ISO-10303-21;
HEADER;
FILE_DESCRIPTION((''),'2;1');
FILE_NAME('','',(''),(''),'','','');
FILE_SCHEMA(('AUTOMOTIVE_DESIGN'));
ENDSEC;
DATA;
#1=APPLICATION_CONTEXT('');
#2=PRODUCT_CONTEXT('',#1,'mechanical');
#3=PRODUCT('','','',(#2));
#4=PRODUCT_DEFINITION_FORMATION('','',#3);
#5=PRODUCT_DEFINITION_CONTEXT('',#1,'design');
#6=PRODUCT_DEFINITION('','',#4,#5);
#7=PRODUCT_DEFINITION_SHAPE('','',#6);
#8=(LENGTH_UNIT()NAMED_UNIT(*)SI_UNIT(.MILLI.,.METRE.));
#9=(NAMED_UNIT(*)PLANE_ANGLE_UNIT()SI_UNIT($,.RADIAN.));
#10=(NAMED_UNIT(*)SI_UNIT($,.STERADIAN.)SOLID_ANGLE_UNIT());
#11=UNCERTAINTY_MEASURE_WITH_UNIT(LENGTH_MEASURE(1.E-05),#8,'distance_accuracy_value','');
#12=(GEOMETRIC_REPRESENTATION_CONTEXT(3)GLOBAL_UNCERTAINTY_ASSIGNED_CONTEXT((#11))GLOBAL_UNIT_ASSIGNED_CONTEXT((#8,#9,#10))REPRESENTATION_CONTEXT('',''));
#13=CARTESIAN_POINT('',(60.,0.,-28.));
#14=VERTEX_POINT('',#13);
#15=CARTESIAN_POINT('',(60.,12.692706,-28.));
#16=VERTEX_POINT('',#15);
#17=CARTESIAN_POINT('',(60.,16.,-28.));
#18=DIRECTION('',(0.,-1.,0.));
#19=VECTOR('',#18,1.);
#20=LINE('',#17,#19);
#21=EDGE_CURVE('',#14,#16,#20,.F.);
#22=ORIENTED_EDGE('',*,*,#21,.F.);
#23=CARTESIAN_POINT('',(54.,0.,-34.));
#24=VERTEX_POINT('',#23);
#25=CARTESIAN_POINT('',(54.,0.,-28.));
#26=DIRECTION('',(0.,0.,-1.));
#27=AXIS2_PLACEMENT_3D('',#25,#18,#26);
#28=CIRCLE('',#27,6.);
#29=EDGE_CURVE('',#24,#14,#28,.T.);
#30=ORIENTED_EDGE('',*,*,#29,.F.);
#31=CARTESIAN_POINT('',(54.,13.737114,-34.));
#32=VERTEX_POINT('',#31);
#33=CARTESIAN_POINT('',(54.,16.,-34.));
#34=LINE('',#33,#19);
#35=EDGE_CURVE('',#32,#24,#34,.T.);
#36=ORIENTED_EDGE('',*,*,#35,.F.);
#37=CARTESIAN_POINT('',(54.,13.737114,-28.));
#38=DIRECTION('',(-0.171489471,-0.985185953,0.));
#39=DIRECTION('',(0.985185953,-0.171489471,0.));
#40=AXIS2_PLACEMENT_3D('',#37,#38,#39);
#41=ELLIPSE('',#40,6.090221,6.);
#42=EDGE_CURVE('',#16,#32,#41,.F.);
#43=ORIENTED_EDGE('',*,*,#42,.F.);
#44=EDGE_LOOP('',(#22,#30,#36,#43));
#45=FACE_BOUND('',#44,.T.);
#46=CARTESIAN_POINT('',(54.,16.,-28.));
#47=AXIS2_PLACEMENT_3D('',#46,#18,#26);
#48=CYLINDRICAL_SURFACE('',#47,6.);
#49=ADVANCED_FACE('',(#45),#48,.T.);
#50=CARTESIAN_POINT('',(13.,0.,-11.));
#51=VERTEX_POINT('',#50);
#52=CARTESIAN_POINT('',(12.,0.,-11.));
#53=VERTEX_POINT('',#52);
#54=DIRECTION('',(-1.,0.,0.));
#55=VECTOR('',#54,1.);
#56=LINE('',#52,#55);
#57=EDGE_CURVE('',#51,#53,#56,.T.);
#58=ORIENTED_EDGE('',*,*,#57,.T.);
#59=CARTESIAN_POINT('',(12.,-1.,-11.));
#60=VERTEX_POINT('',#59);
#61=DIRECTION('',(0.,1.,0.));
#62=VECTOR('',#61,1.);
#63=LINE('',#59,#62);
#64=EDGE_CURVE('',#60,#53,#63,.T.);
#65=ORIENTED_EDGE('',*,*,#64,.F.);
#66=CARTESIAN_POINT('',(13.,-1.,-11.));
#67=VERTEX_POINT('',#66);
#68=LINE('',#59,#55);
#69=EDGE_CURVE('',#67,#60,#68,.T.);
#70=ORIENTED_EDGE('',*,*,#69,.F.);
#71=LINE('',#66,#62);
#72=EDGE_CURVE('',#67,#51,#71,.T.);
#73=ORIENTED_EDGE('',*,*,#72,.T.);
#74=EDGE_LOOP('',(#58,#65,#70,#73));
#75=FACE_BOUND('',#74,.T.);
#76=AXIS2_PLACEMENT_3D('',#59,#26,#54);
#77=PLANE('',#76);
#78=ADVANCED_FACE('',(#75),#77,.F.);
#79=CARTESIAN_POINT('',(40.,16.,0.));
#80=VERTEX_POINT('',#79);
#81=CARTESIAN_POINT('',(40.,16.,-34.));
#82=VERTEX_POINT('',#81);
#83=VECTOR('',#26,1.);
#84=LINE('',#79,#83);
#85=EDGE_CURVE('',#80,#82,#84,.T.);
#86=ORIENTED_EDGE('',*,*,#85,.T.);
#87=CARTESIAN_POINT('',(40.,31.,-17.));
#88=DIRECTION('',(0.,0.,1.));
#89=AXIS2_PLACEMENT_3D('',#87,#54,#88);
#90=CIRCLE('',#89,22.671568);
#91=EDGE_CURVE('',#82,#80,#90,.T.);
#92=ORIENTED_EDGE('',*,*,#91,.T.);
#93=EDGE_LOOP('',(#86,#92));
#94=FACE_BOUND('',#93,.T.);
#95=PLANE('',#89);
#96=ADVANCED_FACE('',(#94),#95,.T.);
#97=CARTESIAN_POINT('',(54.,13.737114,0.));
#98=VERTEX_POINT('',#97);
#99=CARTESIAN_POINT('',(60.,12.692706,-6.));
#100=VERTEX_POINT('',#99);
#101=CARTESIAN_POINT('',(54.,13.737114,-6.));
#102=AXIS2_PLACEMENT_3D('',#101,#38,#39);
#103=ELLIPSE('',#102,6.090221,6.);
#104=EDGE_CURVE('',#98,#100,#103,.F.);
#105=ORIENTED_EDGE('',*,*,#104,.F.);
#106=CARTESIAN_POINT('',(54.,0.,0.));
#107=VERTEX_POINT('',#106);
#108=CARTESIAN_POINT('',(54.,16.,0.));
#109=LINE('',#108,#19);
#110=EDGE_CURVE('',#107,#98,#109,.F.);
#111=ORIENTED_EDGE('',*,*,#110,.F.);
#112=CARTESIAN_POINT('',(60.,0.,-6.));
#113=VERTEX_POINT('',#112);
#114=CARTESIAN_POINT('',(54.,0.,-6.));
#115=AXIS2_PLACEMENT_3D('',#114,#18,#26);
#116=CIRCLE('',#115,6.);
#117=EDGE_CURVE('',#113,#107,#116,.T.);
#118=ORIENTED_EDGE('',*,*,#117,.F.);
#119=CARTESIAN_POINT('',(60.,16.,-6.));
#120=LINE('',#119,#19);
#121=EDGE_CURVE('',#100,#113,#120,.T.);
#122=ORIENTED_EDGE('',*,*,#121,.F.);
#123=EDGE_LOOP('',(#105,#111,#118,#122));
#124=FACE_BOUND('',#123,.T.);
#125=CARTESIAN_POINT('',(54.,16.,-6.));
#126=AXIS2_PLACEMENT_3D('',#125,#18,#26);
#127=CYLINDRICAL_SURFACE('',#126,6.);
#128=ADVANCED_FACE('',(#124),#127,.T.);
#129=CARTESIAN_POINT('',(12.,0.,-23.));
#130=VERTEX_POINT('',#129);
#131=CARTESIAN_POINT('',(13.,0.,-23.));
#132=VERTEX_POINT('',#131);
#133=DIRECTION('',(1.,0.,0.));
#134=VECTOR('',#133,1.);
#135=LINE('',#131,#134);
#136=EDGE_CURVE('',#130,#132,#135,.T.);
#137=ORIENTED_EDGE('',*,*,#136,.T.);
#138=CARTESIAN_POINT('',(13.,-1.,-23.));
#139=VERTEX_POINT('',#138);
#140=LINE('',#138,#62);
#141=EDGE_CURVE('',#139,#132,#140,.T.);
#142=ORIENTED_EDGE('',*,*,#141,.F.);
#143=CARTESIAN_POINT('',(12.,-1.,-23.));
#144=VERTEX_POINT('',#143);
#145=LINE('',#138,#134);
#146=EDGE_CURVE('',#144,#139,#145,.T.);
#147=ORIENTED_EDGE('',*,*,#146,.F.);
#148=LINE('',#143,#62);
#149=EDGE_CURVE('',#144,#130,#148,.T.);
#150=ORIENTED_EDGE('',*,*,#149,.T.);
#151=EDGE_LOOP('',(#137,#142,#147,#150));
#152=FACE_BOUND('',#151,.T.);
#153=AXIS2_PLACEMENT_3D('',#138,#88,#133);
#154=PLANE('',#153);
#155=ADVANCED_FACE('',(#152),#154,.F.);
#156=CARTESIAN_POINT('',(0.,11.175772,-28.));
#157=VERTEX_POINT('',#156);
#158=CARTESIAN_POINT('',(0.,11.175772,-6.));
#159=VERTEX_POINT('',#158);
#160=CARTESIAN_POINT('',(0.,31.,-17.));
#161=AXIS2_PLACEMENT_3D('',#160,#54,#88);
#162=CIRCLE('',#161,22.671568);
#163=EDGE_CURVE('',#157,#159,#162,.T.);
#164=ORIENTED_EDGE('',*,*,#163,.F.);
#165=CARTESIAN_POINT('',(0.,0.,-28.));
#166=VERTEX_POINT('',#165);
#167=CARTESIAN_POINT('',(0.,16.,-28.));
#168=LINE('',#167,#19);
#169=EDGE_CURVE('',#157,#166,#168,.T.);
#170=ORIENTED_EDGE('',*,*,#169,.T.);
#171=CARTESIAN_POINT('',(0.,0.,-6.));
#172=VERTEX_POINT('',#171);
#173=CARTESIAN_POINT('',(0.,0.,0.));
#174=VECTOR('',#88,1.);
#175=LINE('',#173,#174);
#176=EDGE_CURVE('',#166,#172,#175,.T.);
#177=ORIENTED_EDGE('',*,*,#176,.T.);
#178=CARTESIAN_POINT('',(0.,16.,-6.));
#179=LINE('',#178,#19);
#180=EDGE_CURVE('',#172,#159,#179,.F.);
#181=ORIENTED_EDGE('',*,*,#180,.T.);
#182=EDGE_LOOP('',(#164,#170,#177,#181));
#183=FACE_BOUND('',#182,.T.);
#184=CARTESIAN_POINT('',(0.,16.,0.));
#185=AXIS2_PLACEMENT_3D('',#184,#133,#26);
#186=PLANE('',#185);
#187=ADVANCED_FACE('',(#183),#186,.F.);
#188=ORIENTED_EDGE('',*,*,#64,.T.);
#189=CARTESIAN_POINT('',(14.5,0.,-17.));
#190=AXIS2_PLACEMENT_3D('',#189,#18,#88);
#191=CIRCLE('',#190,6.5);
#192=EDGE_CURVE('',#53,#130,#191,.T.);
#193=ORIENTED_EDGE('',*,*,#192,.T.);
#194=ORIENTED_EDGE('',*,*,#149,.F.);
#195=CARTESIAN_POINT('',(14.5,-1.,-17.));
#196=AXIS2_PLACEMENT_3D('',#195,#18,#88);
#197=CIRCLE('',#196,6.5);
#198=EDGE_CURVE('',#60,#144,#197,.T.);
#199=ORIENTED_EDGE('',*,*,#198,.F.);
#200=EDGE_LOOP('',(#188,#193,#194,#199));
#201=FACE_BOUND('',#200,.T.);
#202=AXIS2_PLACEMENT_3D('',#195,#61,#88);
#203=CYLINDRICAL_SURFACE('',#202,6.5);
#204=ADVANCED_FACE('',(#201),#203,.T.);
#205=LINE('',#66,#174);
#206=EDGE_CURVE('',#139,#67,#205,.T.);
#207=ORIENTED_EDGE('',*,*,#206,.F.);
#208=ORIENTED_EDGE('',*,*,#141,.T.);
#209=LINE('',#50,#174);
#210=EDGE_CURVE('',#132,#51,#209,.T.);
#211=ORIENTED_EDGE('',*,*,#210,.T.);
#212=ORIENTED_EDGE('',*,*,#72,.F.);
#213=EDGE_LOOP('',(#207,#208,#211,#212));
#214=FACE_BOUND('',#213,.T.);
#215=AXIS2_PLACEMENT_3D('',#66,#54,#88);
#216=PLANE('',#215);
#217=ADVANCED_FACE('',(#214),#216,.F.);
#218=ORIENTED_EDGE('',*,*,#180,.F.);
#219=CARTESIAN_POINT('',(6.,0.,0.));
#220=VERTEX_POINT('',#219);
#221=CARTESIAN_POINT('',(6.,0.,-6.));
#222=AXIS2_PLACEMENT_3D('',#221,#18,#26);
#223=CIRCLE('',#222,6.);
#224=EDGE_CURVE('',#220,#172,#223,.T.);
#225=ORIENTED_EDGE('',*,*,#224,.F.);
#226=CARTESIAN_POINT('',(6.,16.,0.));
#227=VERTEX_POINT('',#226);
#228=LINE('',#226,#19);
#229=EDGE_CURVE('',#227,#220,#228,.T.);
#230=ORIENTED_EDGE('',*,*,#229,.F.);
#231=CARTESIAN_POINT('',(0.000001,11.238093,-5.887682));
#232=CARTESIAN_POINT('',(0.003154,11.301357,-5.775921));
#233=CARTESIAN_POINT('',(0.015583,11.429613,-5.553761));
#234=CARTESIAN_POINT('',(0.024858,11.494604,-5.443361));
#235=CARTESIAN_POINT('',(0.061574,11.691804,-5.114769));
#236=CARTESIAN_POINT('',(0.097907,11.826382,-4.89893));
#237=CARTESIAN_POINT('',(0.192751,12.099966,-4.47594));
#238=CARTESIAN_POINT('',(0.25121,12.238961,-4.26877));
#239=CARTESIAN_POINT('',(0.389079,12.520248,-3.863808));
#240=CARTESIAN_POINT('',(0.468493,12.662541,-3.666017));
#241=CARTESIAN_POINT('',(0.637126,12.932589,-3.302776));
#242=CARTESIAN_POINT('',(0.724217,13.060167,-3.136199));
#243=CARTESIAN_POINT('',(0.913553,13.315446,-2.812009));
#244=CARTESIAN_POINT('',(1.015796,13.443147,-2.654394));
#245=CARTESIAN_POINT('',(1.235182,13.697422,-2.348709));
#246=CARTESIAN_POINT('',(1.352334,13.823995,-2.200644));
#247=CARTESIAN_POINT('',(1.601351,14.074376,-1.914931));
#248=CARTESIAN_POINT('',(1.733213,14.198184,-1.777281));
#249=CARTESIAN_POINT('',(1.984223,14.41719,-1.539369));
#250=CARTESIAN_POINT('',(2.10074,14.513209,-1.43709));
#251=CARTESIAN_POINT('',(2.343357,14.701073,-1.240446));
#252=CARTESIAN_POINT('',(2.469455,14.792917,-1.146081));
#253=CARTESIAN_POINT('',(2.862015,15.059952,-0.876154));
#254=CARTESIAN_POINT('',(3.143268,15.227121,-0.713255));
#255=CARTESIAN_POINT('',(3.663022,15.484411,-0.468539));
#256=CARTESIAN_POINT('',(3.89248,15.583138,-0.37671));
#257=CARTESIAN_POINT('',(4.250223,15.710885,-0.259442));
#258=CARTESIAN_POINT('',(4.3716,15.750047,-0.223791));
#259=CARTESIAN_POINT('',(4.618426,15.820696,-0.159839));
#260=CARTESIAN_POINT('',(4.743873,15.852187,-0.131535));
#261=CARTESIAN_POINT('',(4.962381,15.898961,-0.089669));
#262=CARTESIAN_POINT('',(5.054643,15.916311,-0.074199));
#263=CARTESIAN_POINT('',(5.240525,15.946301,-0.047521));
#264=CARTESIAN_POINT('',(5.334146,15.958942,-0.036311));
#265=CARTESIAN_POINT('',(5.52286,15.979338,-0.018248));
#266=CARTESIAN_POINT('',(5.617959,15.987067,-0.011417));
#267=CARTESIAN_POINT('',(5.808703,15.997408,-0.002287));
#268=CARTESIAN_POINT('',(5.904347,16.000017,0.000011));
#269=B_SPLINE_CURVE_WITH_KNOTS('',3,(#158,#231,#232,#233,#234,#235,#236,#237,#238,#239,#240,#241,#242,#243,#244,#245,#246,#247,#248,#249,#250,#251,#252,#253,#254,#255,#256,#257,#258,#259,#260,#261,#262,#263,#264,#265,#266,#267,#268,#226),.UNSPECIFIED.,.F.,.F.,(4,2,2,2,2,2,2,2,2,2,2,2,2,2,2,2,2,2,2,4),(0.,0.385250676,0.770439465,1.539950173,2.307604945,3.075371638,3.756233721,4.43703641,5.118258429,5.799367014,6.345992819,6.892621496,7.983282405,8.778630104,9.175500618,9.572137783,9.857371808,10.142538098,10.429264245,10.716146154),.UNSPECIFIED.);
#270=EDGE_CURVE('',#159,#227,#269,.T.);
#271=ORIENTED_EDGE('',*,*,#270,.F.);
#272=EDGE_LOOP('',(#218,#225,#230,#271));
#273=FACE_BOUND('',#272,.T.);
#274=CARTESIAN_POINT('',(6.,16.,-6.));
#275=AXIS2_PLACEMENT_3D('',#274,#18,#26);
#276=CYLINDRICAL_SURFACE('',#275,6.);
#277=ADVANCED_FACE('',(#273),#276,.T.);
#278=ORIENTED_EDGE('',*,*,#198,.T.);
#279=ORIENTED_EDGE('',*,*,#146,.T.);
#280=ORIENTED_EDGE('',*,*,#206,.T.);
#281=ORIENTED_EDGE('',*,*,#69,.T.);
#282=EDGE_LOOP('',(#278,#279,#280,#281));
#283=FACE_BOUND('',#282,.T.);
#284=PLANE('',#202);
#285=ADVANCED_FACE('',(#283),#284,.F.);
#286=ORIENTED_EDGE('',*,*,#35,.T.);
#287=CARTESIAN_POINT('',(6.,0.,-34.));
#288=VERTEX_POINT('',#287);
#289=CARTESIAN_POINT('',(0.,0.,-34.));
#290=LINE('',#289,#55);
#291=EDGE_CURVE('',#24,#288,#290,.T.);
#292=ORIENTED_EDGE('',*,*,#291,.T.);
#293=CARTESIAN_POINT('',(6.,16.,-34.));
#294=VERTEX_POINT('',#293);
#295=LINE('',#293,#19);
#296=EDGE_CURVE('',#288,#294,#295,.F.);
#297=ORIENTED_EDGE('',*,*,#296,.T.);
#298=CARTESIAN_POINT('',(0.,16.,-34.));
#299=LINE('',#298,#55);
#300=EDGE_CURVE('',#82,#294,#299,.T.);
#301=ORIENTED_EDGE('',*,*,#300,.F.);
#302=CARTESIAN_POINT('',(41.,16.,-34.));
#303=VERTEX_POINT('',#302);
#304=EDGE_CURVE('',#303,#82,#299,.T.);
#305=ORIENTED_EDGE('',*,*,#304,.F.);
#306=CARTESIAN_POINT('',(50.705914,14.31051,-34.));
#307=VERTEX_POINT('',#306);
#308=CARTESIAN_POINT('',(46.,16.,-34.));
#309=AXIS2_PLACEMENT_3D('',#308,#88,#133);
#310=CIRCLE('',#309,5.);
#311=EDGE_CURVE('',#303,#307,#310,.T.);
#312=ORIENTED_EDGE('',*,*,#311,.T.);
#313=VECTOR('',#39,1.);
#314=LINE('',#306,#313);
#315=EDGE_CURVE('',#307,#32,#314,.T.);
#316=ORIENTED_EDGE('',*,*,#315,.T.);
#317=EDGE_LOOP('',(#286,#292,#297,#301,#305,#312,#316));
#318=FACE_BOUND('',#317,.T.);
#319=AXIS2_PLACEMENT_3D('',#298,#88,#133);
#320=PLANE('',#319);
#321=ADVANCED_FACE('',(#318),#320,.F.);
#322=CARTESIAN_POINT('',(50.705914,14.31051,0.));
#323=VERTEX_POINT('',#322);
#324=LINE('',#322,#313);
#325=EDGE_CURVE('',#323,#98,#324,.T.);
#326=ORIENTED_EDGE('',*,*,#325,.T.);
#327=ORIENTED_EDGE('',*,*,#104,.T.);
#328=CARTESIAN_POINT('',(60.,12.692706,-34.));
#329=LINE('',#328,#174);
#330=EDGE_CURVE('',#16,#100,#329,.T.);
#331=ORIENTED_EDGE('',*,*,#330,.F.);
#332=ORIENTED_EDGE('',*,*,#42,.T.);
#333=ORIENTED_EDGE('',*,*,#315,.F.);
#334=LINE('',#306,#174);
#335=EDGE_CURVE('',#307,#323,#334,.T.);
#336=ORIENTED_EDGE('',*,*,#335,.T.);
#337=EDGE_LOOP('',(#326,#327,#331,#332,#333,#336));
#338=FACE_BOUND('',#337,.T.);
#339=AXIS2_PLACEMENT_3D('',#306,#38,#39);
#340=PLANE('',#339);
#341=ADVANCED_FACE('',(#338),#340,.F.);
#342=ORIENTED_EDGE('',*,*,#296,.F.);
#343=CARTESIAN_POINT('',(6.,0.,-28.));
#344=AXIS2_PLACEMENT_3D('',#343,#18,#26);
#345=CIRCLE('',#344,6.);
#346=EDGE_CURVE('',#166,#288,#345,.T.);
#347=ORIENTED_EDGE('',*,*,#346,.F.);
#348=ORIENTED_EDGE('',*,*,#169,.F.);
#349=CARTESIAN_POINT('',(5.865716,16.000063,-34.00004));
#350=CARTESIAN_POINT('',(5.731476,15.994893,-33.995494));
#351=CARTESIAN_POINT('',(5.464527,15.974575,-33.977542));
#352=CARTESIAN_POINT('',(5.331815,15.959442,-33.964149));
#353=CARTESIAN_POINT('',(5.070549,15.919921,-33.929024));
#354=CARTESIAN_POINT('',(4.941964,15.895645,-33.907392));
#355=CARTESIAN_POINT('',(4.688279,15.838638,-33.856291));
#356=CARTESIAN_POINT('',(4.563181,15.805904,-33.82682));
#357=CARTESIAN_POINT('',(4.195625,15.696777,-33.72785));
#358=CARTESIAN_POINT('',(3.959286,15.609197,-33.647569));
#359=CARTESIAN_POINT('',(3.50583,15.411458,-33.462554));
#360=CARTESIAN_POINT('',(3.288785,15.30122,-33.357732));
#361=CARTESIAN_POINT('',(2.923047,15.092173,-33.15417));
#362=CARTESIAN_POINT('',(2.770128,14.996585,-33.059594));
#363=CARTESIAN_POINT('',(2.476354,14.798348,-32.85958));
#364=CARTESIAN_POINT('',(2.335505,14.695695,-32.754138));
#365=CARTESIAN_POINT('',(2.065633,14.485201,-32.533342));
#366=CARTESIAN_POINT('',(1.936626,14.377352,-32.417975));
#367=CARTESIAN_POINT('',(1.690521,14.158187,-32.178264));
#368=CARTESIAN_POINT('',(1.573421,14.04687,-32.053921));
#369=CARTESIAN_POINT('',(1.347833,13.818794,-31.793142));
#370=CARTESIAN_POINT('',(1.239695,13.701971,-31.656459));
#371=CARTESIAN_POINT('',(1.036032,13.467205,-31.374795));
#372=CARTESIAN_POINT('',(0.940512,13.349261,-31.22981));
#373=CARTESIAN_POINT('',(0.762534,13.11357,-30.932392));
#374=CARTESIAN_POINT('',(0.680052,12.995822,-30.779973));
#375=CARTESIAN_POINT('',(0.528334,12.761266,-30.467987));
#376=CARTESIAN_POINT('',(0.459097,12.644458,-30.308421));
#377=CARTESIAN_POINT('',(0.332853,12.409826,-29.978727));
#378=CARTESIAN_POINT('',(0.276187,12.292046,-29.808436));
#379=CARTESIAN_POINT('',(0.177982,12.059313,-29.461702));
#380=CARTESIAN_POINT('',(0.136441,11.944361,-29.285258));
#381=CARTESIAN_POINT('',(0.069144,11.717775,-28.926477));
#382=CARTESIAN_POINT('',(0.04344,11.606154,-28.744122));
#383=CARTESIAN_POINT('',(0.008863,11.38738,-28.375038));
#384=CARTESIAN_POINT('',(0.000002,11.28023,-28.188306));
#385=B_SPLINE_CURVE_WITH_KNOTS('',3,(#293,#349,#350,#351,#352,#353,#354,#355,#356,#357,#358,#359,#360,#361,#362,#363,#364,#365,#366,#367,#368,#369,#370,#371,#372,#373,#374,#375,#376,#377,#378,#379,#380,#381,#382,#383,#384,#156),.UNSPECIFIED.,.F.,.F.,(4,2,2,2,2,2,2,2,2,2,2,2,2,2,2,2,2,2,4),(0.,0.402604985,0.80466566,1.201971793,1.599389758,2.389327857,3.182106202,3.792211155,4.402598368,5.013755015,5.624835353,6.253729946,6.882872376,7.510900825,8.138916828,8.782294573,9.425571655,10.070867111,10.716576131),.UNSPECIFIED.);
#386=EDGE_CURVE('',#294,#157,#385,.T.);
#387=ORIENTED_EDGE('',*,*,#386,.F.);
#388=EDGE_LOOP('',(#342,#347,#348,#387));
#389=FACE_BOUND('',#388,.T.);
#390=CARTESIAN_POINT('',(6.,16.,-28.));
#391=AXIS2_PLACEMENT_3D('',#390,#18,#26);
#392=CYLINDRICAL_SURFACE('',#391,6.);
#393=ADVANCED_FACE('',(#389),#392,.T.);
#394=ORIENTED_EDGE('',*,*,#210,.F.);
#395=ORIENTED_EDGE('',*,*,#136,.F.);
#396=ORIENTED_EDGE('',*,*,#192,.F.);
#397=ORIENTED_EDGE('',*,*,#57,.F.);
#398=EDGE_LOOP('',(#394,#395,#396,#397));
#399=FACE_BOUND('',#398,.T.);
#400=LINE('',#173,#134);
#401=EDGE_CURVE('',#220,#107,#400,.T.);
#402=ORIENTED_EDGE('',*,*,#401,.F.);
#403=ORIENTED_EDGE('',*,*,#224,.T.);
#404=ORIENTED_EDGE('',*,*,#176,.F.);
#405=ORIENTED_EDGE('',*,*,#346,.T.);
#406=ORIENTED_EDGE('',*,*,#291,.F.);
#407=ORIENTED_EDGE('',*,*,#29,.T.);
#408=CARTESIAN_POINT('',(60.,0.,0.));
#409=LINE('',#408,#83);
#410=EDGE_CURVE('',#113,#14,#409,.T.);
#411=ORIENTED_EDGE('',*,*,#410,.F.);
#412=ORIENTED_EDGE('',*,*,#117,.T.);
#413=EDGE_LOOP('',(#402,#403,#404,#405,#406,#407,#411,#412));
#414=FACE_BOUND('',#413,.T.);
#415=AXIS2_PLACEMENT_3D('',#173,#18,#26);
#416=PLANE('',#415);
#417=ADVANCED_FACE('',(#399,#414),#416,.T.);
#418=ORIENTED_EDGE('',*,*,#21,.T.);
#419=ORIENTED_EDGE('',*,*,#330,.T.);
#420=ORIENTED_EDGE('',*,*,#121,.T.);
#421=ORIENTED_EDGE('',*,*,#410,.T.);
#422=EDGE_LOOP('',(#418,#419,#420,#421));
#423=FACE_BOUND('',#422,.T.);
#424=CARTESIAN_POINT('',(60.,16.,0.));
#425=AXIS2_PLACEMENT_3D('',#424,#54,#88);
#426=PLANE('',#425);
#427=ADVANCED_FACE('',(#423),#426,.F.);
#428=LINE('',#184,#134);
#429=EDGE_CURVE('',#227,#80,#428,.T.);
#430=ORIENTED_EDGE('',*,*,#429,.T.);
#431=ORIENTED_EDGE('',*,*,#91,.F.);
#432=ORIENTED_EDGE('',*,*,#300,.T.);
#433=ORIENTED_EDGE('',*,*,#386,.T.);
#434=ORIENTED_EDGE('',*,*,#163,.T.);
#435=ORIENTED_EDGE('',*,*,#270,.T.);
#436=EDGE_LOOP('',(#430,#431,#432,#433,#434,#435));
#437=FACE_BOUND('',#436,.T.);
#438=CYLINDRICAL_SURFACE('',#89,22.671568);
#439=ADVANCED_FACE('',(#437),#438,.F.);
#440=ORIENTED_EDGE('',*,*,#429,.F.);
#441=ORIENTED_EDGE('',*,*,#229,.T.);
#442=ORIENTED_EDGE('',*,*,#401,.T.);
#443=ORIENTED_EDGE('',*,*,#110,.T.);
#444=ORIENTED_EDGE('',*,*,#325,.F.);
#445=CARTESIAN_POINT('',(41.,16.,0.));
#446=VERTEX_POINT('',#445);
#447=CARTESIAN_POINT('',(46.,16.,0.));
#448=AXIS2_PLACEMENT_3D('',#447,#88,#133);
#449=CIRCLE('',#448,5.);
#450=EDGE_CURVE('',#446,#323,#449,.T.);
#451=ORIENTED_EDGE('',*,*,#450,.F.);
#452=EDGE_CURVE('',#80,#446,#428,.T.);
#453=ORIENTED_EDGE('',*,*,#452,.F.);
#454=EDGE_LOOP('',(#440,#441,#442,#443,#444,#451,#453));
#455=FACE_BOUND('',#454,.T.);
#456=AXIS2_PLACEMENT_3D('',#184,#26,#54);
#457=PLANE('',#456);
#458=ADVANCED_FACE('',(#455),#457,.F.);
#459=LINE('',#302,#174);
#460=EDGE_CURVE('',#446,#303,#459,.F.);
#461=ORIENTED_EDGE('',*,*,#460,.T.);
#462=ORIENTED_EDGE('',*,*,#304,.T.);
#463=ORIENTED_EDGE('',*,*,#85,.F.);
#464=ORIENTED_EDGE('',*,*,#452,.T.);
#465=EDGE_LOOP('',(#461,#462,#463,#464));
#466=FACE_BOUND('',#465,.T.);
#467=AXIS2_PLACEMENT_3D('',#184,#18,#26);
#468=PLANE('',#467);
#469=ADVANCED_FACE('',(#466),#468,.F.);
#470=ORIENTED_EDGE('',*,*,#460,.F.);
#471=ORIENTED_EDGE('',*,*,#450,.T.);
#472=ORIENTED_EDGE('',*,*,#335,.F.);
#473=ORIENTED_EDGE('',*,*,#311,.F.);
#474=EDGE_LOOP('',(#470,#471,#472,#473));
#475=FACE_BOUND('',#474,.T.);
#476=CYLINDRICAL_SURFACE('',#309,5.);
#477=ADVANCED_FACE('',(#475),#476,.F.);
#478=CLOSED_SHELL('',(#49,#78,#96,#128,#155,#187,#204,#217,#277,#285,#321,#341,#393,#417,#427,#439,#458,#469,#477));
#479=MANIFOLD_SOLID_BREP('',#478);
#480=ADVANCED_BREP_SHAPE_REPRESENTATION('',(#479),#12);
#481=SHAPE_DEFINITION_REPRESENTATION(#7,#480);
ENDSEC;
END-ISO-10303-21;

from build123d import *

# Parameters (mm, degrees)
SKETCH1_W           = 60
SKETCH1_H           = 34
BOSS_EXTRUDE1_DEPTH = 16
SKETCH6_R           = 22.671568098
CUT_EXTRUDE4_DEPTH  = 40
SKETCH2_R           = 5
CUT_EXTRUDE1_DEPTH  = 71.795480082
FILLET1_R           = 6
CUT_EXTRUDE3_DEPTH  = 71.795480152
BOSS_EXTRUDE2_DEPTH = 1


with BuildPart() as part:
    # Sketch1 → Boss-Extrude1 (new body)
    with BuildSketch(Plane(origin=(0, 0, 0), x_dir=(1, 0, 0), z_dir=(0, 1, 0))):
        with Locations((30, 17)):
            Rectangle(SKETCH1_W, SKETCH1_H)
    extrude(amount=BOSS_EXTRUDE1_DEPTH)

    # Sketch6 → Cut-Extrude4 (cut)
    with BuildSketch(Plane.ZY):
        with Locations((-17, 31)):
            Circle(SKETCH6_R)
    extrude(amount=-CUT_EXTRUDE4_DEPTH, mode=Mode.SUBTRACT)

    # Sketch2 → Cut-Extrude1 (cut, through all)
    with BuildSketch(Plane.XY):
        with Locations((46, 16)):
            Circle(SKETCH2_R)
    extrude(amount=-CUT_EXTRUDE1_DEPTH, mode=Mode.SUBTRACT)

    # Fillet1
    fillet1_edges = [part.edges().sort_by_distance(p)[0] for p in [
        (0, 8, -34),
        (60, 8, -34),
        (60, 8, 0),
        (0, 8, 0),
    ]]
    fillet(fillet1_edges, radius=FILLET1_R)

    # Sketch5 → Cut-Extrude3 (cut, through all)
    with BuildSketch(Plane.XY):
        Polygon((50.705913613, 14.310509822), (60, 12.692705636), (60, 16), (51, 16), align=None)
    extrude(amount=-CUT_EXTRUDE3_DEPTH, mode=Mode.SUBTRACT)

    # Sketch7 → Boss-Extrude2 (add)
    with BuildSketch(Plane.XZ):
        with BuildLine():
            Line((13, -11), (13, -23))
            Line((13, -23), (12, -23))
            ThreePointArc((12, -23), (8, -17), (12, -11))
            Line((12, -11), (13, -11))
        make_face()
    extrude(amount=BOSS_EXTRUDE2_DEPTH)


solid = part.part
